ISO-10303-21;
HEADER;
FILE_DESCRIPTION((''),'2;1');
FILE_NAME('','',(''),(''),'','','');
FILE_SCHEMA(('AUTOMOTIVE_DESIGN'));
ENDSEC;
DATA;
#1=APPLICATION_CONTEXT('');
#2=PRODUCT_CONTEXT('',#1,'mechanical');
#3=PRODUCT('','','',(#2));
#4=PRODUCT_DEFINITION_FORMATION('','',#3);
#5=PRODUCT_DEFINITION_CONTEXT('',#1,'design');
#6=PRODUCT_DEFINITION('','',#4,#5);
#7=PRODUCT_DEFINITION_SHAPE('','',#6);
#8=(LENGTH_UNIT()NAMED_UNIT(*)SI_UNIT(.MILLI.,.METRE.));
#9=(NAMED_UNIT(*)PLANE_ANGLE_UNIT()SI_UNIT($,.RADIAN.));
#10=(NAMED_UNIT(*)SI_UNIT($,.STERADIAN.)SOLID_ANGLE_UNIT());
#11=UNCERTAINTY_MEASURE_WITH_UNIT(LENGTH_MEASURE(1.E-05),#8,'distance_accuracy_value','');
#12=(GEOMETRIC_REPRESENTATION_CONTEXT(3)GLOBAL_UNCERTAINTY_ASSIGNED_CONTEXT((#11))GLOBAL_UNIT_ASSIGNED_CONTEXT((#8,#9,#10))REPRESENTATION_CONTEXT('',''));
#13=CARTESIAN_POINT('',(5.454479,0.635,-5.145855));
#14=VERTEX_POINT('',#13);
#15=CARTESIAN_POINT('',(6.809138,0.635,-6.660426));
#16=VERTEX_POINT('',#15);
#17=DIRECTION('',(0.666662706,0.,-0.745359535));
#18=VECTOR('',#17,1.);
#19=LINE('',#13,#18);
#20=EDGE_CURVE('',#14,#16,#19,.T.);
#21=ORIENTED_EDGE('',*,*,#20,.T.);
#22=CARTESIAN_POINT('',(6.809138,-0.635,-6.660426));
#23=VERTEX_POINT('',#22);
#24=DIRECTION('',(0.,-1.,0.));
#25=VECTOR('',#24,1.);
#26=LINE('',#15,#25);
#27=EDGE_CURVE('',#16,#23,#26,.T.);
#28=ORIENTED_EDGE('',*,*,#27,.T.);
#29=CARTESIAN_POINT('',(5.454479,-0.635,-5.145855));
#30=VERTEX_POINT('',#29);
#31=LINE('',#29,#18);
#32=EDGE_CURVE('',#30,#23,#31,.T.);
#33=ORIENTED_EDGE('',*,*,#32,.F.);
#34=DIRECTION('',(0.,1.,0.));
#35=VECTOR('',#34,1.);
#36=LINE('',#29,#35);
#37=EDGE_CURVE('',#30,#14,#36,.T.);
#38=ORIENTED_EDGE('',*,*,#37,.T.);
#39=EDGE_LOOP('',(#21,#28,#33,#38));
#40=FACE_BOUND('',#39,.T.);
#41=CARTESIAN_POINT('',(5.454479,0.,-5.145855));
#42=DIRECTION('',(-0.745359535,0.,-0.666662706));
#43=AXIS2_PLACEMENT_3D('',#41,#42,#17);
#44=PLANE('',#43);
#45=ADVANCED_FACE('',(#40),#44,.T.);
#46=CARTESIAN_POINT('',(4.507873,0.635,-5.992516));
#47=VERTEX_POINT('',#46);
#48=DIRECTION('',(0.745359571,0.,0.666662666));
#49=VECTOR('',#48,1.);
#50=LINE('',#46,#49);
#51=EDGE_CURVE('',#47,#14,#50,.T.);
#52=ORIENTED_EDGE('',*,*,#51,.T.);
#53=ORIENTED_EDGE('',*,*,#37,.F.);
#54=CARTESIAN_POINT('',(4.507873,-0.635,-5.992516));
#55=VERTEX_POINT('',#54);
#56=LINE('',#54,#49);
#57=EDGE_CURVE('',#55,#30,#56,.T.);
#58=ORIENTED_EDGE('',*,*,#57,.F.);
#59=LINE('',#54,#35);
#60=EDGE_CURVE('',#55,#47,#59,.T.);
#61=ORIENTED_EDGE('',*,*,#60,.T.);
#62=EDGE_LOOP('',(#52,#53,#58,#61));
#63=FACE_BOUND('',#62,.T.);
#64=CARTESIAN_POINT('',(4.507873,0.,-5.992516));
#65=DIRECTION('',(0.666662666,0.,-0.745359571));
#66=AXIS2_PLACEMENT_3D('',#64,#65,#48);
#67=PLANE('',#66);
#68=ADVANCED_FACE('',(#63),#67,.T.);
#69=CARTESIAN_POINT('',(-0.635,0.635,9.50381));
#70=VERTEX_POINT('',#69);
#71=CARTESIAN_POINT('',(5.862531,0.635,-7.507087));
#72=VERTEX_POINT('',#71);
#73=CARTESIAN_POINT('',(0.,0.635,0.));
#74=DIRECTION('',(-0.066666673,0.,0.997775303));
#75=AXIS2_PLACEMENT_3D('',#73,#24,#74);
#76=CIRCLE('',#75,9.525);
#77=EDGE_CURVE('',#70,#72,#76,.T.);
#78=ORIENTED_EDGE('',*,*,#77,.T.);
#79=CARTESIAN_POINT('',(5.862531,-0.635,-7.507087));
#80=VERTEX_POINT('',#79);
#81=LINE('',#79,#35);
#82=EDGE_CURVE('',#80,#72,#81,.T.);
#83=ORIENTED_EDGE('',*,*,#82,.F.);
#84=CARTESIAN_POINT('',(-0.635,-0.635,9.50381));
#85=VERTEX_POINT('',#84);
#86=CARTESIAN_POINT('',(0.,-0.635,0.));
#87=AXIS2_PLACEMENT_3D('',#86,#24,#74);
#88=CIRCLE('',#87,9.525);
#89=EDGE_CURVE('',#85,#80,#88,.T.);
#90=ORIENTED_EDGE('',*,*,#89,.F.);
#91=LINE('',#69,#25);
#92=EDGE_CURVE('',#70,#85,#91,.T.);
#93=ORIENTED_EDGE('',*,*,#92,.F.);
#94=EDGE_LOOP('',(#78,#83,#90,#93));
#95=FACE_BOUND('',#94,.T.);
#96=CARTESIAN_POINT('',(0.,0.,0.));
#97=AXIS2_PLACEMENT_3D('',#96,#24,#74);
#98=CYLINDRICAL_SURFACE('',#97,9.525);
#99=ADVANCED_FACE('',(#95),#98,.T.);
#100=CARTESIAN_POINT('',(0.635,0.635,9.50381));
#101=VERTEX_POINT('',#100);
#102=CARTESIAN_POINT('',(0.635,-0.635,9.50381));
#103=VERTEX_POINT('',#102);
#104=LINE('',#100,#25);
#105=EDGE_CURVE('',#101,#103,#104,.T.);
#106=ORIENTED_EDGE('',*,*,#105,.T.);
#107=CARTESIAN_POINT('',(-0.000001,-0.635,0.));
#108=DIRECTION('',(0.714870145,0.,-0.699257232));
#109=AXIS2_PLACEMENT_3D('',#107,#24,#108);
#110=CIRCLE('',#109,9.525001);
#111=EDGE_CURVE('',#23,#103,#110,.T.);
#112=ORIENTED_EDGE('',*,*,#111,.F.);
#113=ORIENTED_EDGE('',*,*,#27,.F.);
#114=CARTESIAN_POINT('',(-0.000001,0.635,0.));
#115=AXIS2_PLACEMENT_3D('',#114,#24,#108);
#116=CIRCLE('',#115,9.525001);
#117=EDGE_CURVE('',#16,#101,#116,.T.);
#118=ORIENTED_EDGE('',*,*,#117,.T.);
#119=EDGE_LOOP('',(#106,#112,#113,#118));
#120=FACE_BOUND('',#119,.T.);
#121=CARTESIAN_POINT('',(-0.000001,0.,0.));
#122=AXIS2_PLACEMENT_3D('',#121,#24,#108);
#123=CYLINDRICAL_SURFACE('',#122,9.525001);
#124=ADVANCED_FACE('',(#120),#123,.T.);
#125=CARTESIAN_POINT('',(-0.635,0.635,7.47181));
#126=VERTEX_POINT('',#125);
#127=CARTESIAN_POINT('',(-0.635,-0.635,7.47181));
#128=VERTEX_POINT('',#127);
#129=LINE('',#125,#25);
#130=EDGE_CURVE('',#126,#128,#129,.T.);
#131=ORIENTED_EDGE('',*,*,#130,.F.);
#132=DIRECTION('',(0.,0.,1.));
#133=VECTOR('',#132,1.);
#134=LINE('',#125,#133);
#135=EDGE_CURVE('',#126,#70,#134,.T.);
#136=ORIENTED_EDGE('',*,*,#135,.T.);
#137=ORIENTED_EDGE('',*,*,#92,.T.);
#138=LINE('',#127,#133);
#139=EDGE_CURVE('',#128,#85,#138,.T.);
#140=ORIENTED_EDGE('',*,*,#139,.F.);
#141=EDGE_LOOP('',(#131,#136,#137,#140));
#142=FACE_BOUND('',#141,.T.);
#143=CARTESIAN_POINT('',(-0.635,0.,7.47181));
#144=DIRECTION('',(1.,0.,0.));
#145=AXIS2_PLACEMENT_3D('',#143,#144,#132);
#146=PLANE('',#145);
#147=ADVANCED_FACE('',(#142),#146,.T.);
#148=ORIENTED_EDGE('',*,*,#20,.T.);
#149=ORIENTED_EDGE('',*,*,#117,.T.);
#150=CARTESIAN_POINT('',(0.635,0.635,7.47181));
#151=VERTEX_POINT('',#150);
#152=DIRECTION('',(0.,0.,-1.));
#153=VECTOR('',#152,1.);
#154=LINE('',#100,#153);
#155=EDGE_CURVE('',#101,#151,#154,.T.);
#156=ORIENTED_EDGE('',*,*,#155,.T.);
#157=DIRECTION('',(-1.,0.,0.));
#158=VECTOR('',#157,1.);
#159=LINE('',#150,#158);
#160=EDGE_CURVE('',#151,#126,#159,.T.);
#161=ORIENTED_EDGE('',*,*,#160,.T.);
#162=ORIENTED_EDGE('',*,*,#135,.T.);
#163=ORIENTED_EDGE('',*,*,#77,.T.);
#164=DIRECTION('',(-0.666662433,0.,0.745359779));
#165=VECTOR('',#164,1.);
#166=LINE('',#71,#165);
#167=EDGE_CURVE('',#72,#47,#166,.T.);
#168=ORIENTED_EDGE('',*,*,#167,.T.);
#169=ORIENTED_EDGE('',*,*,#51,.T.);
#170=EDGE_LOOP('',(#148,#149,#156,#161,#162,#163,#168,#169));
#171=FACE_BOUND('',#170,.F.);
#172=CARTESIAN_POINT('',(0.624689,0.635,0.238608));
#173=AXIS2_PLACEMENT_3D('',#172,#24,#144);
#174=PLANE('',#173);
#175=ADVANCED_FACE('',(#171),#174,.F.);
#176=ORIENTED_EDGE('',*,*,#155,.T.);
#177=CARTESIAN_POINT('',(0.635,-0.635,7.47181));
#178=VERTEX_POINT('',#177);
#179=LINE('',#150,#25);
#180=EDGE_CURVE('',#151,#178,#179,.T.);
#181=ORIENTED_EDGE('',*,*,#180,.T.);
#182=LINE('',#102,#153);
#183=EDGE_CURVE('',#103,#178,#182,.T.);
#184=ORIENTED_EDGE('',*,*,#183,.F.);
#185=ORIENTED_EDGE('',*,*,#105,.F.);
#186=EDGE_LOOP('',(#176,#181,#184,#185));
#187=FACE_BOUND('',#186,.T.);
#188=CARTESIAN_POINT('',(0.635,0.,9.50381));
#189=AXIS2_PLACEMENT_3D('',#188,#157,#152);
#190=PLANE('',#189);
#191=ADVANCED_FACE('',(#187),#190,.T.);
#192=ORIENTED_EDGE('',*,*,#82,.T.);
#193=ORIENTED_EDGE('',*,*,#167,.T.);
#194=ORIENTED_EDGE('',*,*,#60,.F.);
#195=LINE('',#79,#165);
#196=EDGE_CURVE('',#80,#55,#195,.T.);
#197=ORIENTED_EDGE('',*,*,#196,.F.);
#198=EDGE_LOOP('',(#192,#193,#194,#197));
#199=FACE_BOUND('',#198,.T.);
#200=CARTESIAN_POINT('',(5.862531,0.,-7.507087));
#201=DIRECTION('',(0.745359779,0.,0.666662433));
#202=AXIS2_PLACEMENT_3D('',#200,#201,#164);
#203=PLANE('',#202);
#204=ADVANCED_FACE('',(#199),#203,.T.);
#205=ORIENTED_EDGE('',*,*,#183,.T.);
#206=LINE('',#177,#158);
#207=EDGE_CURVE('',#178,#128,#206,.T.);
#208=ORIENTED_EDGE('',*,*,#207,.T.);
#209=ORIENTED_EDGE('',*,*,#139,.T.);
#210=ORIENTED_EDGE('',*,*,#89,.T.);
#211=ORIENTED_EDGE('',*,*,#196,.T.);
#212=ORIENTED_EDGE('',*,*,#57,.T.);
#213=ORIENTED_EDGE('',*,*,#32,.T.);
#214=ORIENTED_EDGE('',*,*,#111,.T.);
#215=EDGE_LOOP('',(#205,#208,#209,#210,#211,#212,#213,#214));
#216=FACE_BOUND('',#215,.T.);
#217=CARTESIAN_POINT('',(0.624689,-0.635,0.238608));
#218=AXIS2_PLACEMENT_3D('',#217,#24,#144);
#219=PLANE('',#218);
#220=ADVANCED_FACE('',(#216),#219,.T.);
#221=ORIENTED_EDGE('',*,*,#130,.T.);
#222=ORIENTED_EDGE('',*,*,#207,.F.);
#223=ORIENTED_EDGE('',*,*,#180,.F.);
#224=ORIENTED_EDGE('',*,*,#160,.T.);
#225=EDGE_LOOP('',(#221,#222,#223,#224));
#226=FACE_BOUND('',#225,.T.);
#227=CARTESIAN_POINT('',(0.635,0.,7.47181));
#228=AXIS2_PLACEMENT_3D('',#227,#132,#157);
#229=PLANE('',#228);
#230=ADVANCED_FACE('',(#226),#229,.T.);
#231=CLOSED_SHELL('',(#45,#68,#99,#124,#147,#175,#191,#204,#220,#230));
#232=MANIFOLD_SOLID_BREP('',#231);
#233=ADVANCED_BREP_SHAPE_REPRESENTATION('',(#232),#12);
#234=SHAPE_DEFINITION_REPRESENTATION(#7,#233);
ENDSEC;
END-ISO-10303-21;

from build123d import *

# Parameters (mm, degrees)
F1_DEPTH = 0.635


with BuildPart() as f1:
    # F0 (on Front) → F1 (new body, symmetric)
    with BuildSketch(Plane.XZ):
        with BuildLine():
            Line((5.454479, -5.145855), (6.809138, -6.660426))
            ThreePointArc((6.809138, -6.660426), (8.898001, 3.398706), (0.635, 9.50381))
            Line((0.635, 9.50381), (0.635, 7.47181))
            Line((0.635, 7.47181), (-0.635, 7.47181))
            Line((-0.635, 7.47181), (-0.635, 9.50381))
            ThreePointArc((-0.635, 9.50381), (-8.898001, -3.398706), (5.862531, -7.507087))
            Line((5.862531, -7.507087), (4.507873, -5.992516))
            Line((4.507873, -5.992516), (5.454479, -5.145855))
        make_face()
    extrude(amount=F1_DEPTH, both=True)


solid = f1.part
